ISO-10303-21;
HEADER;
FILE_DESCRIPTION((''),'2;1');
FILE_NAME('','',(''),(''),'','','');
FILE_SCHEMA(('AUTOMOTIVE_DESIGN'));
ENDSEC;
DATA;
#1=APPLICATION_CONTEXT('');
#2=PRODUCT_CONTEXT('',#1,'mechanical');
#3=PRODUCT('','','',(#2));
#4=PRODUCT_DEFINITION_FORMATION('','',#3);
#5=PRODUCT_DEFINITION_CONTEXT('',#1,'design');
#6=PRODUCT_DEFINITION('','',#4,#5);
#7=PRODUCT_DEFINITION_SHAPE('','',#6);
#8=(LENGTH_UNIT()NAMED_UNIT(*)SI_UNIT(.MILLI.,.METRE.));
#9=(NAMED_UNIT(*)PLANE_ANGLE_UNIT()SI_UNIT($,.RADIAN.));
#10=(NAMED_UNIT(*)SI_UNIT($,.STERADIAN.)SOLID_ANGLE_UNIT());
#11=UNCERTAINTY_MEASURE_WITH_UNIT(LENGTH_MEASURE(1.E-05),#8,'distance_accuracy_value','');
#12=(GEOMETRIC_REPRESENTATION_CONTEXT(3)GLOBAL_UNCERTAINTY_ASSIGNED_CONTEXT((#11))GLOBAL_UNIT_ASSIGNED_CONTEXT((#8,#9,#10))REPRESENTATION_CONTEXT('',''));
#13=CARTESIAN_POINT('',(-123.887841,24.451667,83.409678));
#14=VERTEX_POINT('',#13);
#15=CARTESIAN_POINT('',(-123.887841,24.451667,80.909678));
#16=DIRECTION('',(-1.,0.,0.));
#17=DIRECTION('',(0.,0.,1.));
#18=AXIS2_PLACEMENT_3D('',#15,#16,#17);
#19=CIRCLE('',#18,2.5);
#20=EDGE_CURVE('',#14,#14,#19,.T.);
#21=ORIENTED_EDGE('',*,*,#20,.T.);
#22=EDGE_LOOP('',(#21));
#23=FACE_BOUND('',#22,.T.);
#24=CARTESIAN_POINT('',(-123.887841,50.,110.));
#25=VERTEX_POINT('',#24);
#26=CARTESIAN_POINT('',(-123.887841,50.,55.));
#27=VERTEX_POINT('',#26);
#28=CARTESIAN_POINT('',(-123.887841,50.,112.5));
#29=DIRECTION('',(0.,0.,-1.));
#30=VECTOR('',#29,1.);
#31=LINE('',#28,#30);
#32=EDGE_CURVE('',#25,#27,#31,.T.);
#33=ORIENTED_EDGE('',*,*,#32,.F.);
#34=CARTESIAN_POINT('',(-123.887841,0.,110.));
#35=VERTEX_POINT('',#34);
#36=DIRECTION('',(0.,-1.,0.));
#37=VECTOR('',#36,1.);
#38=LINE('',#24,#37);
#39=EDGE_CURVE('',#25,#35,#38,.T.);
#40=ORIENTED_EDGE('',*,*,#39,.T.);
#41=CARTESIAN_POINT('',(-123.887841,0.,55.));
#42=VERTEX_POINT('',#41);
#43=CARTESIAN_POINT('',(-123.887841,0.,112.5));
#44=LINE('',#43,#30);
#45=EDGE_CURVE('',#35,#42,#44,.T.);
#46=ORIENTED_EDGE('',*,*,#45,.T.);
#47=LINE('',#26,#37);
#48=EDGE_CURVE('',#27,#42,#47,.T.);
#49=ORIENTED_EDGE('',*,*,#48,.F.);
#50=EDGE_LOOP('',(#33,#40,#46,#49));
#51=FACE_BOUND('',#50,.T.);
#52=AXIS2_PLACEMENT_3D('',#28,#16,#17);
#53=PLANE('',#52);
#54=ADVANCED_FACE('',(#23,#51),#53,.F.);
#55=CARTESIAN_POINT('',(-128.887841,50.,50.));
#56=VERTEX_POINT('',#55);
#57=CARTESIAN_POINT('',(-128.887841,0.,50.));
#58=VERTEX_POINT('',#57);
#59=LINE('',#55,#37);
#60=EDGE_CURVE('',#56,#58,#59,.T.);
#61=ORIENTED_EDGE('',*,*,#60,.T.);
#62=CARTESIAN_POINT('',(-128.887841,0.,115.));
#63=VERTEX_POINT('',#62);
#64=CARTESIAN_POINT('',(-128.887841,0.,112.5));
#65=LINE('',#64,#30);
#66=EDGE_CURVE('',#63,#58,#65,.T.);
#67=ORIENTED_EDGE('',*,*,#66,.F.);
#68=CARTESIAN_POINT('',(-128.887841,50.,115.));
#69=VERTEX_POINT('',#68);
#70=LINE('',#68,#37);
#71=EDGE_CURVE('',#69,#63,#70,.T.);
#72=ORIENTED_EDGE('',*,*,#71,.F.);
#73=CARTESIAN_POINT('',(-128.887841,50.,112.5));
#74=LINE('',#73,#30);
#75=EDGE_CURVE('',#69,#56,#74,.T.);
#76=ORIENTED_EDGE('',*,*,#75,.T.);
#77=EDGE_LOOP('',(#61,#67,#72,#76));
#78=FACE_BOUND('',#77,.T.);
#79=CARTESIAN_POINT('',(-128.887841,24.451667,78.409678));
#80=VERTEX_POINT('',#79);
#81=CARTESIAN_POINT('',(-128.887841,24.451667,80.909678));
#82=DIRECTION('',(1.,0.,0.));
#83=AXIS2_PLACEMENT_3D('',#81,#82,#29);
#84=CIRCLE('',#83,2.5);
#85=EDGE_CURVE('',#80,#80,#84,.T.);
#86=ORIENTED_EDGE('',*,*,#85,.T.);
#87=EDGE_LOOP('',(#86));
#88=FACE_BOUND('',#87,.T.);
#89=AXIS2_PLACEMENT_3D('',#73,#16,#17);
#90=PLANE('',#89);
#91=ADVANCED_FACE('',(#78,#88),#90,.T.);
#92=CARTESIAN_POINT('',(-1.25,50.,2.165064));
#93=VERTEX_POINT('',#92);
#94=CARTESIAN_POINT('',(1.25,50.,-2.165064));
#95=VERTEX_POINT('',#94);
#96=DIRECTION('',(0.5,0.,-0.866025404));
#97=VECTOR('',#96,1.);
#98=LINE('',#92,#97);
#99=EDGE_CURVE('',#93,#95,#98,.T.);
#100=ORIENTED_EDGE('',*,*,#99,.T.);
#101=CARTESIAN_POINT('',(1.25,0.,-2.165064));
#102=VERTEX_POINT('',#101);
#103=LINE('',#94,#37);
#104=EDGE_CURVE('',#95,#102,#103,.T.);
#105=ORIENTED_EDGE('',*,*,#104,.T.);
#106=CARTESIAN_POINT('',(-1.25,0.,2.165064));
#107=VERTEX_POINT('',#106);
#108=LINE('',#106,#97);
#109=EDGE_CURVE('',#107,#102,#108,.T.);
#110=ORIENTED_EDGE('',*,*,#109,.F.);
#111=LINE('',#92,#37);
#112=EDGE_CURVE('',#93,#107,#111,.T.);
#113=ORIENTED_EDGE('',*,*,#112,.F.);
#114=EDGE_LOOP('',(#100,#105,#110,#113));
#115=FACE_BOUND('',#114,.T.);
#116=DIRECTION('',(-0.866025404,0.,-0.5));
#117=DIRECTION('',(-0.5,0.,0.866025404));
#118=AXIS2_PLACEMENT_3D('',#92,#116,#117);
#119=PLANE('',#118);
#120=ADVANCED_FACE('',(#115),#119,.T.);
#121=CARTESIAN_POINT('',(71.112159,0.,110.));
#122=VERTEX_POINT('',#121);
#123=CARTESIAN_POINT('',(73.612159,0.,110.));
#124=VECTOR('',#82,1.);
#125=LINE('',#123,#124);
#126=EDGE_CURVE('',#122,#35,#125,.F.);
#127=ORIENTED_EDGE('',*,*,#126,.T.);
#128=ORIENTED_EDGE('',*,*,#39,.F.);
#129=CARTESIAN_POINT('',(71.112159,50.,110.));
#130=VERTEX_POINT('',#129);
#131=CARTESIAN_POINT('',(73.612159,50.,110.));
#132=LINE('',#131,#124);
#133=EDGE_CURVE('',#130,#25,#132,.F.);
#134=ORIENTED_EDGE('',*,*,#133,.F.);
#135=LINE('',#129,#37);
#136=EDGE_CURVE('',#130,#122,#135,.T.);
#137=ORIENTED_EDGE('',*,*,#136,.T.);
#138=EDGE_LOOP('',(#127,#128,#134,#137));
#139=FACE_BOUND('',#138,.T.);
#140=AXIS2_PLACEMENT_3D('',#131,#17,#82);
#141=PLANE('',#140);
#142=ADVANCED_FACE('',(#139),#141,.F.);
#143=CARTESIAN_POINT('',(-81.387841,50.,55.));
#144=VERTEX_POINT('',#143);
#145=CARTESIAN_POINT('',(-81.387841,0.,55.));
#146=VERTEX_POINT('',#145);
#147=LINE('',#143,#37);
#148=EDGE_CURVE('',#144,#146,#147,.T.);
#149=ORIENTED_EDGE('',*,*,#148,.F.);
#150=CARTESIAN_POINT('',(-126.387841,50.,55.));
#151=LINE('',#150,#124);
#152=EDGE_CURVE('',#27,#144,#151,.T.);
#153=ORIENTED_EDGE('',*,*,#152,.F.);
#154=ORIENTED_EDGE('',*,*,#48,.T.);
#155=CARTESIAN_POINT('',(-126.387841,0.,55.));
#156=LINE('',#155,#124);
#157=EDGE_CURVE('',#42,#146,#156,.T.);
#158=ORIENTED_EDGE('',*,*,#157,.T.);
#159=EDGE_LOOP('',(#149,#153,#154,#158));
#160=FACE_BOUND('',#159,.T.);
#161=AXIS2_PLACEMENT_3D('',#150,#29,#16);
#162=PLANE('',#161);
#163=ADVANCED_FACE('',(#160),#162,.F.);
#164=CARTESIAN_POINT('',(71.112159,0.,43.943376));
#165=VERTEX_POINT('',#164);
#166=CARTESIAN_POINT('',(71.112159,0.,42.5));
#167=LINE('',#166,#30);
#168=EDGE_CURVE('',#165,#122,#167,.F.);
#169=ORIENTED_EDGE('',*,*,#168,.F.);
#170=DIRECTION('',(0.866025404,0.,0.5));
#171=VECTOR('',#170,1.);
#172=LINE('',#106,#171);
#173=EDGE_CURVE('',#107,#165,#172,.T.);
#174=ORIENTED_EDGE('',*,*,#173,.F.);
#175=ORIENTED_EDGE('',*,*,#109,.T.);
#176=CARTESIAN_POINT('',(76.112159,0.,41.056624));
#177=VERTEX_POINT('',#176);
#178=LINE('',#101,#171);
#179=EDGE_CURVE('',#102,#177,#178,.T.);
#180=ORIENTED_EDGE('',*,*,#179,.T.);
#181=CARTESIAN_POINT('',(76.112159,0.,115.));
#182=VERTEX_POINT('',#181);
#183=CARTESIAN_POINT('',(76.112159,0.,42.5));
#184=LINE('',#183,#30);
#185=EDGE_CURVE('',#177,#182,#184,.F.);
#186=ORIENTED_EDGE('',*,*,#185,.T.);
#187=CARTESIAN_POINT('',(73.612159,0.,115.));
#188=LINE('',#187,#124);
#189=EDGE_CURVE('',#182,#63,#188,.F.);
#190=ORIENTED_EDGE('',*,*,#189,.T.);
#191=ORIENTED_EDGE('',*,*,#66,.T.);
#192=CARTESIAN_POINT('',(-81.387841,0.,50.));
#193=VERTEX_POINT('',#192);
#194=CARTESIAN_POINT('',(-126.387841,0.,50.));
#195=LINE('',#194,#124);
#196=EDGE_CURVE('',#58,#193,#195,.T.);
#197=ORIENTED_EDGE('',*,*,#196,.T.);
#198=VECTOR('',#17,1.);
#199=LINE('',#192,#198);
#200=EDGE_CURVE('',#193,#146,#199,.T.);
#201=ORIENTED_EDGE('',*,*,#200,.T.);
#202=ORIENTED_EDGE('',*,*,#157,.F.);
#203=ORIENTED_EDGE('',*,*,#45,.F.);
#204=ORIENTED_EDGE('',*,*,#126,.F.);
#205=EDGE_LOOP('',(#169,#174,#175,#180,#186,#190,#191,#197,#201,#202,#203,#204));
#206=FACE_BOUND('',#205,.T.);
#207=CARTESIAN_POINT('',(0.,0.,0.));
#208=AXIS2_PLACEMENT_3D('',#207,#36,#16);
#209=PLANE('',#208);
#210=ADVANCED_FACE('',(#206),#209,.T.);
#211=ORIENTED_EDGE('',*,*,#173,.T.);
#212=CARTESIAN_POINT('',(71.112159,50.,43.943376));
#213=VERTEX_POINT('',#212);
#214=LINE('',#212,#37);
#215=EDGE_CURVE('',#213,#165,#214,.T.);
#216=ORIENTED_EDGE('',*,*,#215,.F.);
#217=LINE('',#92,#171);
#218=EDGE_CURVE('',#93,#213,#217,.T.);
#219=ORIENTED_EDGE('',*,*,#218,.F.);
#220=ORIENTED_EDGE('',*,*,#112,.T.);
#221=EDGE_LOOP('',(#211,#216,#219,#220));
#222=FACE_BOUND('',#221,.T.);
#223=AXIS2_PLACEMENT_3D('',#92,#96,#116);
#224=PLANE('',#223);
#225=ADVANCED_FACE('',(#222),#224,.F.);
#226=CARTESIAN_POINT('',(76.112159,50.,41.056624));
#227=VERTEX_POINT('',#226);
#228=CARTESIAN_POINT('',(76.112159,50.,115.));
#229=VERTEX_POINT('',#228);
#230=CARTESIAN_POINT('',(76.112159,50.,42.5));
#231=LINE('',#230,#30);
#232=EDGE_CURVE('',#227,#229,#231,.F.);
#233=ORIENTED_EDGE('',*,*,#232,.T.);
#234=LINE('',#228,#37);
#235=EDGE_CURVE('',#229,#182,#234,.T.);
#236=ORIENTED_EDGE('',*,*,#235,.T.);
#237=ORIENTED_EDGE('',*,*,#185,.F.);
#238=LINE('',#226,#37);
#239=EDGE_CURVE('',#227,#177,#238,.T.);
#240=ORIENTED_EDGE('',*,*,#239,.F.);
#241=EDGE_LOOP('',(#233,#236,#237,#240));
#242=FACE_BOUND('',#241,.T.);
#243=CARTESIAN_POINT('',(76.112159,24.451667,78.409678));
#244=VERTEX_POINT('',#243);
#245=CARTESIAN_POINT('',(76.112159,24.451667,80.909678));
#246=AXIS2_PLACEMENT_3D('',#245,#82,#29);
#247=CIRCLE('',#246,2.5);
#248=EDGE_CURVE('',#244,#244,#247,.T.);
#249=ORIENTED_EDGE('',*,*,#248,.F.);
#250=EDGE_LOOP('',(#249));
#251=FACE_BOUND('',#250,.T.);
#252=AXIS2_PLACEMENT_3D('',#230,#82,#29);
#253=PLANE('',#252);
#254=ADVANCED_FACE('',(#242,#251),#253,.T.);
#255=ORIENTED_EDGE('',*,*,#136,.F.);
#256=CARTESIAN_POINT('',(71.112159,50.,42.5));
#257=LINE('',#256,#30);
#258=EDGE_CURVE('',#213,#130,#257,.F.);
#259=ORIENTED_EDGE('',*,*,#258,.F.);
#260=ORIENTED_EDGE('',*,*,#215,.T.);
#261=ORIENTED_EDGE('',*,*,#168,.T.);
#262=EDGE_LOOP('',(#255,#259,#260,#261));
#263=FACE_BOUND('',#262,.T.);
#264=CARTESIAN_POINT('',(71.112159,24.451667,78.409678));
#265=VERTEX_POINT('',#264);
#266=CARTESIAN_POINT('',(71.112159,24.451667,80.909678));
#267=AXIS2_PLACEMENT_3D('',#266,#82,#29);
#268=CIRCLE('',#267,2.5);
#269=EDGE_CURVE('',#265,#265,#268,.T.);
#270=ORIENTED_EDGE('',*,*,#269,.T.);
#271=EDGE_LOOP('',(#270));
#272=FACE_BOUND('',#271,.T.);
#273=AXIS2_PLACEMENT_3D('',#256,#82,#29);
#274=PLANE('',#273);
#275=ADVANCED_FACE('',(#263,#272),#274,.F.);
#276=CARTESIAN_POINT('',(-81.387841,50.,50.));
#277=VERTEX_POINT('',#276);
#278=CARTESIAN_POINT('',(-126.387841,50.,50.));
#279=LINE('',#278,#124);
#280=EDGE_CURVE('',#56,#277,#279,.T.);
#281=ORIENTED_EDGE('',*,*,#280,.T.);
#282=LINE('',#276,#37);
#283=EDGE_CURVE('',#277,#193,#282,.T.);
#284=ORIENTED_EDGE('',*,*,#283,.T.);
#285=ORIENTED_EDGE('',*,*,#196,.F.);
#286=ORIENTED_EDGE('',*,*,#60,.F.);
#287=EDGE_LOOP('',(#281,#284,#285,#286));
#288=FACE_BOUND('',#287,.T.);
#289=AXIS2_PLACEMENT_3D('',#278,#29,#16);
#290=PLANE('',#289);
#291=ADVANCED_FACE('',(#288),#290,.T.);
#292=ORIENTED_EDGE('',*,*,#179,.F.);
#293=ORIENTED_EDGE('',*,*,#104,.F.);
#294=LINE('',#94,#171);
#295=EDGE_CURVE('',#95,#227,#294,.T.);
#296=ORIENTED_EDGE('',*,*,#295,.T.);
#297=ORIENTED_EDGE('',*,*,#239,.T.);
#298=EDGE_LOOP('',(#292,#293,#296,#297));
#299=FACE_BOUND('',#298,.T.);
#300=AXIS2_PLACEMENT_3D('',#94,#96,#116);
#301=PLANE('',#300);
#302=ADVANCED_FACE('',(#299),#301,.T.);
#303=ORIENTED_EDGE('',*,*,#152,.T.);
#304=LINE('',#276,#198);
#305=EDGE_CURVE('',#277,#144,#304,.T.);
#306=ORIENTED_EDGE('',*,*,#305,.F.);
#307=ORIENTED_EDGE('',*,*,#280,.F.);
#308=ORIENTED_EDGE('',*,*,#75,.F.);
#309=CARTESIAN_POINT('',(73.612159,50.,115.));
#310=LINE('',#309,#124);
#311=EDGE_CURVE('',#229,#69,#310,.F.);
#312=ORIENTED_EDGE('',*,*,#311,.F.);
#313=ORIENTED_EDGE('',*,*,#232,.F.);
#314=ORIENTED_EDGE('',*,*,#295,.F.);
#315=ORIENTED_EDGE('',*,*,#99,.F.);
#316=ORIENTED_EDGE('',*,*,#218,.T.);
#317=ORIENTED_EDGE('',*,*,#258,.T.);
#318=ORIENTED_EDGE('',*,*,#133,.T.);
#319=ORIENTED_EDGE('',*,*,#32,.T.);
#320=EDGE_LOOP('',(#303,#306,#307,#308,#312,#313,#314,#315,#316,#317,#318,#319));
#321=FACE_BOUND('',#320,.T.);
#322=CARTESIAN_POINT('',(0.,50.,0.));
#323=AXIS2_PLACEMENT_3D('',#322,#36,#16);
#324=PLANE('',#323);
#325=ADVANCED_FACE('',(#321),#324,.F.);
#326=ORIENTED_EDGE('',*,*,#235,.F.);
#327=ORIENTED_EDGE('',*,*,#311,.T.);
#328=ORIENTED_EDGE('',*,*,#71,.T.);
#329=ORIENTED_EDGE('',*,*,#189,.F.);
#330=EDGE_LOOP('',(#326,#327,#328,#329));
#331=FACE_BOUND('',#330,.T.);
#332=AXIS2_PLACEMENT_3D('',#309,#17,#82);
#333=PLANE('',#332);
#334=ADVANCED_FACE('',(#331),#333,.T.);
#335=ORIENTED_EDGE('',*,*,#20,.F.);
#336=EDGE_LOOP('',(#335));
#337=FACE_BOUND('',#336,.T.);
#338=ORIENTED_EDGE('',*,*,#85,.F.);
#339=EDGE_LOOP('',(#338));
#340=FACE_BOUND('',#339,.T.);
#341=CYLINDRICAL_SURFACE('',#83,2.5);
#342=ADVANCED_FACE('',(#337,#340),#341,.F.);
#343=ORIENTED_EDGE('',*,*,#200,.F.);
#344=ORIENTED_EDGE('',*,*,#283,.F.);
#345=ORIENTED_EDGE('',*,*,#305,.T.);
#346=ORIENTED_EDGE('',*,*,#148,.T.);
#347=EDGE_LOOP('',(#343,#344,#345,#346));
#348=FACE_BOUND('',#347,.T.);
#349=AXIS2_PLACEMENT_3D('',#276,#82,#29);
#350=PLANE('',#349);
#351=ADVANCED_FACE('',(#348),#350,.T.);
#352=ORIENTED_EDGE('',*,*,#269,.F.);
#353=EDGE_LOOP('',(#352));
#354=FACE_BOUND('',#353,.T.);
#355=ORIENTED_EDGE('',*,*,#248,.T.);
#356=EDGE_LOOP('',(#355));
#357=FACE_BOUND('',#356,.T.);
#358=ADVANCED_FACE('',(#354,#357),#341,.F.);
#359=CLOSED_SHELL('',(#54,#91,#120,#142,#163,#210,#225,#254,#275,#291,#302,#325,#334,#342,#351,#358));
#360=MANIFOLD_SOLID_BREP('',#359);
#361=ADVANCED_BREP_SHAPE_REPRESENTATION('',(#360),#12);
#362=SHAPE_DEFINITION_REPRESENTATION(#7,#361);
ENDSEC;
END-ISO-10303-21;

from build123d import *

# Parameters (mm, degrees)
EXTRUDE_THIN1_DEPTH = 50
SKETCH4_R           = 2.5
CUT_EXTRUDE3_DEPTH  = 206


with BuildPart() as part:
    # Sketch3 → Extrude-Thin1 (new body)
    with BuildSketch(Plane(origin=(0, 0, 0), x_dir=(1, 0, 0), z_dir=(0, 1, 0))):
        Polygon((-1.25, -2.165063509), (71.112159322, -43.943375673), (71.112159322, -110), (-123.887840678, -110), (-123.887840678, -55), (-81.387840678, -55), (-81.387840678, -50), (-128.887840678, -50), (-128.887840678, -115), (76.112159322, -115), (76.112159322, -41.056624327), (1.25, 2.165063509), align=None)
    extrude(amount=EXTRUDE_THIN1_DEPTH)

    # Sketch4 → Cut-Extrude3 (cut, through all)
    with BuildSketch(Plane(origin=(76.112159322, 0, 0), x_dir=(0, 0, -1), z_dir=(1, 0, 0))):
        with Locations((-80.909677613, 24.451666954)):
            Circle(SKETCH4_R)
    extrude(amount=-CUT_EXTRUDE3_DEPTH, mode=Mode.SUBTRACT)


solid = part.part
